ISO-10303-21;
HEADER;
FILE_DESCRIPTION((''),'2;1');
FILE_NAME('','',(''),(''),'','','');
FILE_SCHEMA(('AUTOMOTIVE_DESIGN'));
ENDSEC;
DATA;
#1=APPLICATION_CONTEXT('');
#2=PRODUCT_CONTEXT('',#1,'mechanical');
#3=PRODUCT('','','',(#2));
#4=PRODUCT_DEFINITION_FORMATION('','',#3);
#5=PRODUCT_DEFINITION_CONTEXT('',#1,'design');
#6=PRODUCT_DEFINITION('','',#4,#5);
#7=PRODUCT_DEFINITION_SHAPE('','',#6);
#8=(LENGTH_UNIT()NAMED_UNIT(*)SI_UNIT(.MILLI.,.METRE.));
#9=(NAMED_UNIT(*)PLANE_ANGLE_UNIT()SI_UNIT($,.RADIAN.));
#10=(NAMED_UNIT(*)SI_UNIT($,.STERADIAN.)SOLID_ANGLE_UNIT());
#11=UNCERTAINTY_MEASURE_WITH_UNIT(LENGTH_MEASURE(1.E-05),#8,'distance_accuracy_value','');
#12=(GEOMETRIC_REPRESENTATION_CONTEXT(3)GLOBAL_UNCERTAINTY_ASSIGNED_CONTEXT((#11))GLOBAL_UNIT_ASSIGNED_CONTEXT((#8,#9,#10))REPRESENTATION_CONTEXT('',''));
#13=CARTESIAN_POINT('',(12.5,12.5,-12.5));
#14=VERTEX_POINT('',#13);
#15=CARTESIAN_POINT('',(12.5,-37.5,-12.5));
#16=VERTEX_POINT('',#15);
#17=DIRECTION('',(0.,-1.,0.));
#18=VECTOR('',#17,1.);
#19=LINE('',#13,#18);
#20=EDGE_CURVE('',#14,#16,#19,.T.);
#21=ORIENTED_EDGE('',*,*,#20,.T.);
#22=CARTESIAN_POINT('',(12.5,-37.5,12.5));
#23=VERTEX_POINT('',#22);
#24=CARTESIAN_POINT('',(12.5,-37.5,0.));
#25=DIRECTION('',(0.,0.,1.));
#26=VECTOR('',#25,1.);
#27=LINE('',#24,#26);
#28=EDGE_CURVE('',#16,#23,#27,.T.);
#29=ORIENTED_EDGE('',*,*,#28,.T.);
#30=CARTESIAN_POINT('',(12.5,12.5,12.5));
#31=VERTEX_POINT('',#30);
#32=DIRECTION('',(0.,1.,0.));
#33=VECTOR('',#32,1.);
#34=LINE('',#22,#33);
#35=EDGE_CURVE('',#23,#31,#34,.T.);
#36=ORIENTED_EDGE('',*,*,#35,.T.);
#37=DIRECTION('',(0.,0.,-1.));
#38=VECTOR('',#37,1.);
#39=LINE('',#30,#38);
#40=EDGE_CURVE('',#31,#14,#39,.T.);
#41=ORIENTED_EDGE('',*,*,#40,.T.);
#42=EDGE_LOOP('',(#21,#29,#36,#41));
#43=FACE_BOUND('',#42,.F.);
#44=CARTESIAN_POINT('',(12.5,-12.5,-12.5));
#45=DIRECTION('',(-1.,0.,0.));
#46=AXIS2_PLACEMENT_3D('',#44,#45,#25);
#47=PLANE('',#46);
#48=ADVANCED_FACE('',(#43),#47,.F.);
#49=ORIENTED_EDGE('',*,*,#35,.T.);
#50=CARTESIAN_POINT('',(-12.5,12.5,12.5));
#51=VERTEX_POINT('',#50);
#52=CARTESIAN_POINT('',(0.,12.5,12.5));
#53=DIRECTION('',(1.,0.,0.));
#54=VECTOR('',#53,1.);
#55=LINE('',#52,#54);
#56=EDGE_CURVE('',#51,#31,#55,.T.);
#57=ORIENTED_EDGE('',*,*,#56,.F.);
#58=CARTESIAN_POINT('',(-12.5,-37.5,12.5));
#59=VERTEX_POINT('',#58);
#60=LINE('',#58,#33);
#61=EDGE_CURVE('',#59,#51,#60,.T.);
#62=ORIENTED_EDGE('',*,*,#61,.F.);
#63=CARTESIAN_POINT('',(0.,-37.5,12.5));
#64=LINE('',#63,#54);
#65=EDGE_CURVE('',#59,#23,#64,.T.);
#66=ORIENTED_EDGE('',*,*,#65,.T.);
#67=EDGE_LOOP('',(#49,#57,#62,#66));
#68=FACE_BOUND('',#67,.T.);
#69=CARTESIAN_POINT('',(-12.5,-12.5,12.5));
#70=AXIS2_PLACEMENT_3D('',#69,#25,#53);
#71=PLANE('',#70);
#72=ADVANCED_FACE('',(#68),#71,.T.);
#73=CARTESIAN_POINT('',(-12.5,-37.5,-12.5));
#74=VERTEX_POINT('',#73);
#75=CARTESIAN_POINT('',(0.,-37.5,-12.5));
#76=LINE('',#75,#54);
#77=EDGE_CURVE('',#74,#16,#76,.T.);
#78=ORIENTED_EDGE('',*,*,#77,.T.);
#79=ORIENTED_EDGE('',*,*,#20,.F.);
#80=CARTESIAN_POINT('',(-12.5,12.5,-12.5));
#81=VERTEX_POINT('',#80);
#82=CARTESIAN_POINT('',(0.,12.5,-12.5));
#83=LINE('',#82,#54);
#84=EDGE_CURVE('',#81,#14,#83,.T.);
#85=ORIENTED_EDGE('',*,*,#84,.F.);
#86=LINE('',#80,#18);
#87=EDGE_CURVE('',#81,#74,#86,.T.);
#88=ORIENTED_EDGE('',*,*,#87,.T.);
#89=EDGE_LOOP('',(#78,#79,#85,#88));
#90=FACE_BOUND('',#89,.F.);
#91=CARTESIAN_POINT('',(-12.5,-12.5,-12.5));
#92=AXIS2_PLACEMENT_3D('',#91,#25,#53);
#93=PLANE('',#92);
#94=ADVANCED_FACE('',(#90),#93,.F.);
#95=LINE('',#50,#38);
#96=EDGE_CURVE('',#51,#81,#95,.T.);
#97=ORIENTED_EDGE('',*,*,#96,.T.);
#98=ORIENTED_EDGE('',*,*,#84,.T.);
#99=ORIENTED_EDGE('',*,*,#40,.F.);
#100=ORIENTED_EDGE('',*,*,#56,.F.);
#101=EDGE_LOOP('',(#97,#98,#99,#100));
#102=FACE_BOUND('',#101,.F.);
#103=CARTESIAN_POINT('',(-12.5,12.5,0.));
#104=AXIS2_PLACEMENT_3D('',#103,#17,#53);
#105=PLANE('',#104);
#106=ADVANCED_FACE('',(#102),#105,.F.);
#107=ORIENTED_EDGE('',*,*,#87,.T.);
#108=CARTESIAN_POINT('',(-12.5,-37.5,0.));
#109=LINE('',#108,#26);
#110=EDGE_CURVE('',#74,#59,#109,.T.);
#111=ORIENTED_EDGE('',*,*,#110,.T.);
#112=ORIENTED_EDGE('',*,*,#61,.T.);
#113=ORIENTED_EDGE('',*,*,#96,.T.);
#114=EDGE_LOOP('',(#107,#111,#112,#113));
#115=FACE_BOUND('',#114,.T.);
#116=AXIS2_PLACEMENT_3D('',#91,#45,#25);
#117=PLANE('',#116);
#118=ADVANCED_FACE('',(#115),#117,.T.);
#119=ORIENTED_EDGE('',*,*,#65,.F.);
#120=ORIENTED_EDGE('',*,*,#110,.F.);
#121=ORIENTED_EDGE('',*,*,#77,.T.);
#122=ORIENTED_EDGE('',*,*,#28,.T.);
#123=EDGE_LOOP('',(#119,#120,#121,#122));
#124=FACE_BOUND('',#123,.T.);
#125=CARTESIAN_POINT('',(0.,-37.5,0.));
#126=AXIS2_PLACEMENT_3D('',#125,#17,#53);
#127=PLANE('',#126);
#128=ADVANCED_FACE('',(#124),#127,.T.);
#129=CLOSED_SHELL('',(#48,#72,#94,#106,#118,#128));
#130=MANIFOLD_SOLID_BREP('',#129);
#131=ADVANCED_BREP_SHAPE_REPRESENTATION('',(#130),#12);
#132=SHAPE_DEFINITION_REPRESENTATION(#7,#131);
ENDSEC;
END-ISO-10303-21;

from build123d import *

# Parameters (mm, degrees)
F0_W      = 25
F0_H      = 25
F1_DEPTH  = 12.5
F1_FACE_W = 25
F1_FACE_H = 25
F2_DEPTH  = 25


with BuildPart() as f1:
    # F0 (on Top) → F1 (new body, symmetric)
    with BuildSketch(Plane.XY):
        Rectangle(F0_W, F0_H)
    extrude(amount=F1_DEPTH, both=True)

    # F1_face (on face) → F2 (join)
    with BuildSketch(Plane.XZ.offset(12.5)):
        Rectangle(F1_FACE_W, F1_FACE_H)
    extrude(amount=F2_DEPTH)


solid = f1.part
